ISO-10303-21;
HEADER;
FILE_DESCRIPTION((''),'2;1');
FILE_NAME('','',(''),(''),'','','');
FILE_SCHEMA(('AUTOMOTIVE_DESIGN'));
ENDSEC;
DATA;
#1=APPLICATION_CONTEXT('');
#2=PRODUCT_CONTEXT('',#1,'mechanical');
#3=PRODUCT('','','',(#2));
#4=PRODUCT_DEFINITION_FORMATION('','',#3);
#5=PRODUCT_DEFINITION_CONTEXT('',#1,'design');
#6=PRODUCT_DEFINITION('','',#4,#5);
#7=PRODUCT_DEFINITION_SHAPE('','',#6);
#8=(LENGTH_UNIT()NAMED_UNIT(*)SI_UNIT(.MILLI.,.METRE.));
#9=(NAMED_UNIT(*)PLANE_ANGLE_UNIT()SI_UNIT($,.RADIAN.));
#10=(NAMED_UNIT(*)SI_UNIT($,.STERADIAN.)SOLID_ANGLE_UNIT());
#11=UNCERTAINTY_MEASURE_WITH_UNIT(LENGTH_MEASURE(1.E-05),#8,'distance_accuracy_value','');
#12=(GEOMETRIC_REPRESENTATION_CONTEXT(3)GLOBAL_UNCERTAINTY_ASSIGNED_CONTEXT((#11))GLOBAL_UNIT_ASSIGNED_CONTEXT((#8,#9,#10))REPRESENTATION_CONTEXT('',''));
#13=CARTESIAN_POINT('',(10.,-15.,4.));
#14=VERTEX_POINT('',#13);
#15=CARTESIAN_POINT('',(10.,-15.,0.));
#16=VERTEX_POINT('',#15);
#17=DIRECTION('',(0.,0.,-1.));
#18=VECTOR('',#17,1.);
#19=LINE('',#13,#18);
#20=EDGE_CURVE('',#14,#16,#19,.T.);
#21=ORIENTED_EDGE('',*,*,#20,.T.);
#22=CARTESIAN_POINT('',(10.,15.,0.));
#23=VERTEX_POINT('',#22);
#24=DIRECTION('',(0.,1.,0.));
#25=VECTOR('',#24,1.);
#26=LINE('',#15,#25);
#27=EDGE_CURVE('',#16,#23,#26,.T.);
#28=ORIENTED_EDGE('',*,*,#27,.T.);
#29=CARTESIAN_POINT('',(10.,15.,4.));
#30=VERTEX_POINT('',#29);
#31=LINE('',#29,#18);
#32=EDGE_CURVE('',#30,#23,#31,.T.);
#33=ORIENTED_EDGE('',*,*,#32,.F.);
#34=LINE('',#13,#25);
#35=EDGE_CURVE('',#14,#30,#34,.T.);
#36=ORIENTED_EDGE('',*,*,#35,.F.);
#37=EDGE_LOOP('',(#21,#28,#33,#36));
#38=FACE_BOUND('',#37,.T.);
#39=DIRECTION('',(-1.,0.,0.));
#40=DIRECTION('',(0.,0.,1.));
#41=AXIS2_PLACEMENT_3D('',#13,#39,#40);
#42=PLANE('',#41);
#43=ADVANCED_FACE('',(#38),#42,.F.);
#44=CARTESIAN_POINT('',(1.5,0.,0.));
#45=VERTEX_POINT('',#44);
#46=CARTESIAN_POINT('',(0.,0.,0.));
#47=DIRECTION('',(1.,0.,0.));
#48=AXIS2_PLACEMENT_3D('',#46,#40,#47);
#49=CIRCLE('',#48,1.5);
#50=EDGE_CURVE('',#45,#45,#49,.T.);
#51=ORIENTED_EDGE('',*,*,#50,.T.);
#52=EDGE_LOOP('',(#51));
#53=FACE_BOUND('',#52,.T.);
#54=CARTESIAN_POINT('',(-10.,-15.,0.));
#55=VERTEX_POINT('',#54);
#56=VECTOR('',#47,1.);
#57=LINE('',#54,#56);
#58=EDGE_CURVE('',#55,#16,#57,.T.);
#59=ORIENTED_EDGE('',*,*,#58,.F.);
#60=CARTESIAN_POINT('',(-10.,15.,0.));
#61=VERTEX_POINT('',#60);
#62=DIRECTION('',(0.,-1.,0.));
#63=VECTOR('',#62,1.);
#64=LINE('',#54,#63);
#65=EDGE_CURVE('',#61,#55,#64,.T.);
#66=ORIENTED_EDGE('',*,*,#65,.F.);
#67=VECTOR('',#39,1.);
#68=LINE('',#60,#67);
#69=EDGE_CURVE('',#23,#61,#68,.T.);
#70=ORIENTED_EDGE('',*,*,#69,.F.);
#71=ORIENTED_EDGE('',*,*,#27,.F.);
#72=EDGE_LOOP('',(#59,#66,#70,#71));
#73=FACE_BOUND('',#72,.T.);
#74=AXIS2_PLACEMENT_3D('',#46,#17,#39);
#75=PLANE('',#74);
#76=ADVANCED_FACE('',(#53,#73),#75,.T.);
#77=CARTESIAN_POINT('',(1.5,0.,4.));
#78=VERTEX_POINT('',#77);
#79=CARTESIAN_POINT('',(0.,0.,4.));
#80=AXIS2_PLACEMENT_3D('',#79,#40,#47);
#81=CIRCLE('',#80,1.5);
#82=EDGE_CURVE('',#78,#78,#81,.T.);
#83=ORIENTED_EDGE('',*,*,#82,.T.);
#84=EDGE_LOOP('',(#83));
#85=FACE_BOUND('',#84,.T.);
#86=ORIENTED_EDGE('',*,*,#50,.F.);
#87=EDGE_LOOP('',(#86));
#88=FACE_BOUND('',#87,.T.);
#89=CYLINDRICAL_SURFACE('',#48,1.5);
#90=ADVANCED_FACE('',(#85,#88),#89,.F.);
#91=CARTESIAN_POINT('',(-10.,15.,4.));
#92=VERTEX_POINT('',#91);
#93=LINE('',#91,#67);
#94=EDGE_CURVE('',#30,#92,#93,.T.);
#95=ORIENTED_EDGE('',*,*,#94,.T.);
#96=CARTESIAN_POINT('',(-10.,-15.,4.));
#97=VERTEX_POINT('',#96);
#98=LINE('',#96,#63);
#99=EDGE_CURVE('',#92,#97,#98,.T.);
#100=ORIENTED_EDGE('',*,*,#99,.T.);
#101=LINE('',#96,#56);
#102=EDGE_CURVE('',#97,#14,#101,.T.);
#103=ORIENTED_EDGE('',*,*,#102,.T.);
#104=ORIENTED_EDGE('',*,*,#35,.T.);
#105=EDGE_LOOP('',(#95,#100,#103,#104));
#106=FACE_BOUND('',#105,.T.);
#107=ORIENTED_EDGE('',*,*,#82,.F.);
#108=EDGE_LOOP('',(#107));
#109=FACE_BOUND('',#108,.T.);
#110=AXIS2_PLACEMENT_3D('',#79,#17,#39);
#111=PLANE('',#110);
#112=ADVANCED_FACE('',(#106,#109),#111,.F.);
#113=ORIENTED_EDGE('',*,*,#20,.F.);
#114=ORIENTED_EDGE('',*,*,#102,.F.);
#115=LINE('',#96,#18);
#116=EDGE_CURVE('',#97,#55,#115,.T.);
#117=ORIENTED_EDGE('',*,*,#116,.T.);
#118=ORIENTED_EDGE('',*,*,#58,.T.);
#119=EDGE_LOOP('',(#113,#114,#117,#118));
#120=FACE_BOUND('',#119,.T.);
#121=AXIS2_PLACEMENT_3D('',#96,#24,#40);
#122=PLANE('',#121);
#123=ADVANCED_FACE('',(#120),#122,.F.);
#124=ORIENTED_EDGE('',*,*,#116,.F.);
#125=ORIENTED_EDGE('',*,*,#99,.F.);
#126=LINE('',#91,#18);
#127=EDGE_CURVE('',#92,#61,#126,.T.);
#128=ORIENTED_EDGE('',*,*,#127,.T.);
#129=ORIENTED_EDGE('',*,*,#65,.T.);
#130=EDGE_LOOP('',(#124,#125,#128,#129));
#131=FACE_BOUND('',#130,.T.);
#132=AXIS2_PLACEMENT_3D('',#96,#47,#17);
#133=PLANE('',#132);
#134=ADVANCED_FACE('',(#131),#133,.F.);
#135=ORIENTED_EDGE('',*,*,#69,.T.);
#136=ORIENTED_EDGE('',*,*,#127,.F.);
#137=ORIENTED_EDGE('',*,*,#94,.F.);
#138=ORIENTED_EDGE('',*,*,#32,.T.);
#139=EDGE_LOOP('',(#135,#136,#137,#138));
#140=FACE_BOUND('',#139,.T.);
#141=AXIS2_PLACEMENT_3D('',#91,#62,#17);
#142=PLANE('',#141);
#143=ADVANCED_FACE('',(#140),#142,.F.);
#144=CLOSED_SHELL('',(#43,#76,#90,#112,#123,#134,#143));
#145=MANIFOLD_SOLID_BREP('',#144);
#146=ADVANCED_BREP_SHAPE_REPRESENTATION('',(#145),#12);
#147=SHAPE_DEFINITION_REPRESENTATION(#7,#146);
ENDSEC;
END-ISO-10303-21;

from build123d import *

# Parameters (mm, degrees)
SKETCH1_W           = 20
SKETCH1_H           = 30
BOSS_EXTRUDE1_DEPTH = 4
SKETCH2_R           = 1.5
CUT_EXTRUDE1_DEPTH  = 19.466185313


with BuildPart() as part:
    # Sketch1 → Boss-Extrude1 (new body)
    with BuildSketch(Plane.XY):
        Rectangle(SKETCH1_W, SKETCH1_H)
    extrude(amount=BOSS_EXTRUDE1_DEPTH)

    # Sketch2 → Cut-Extrude1 (cut, through all)
    with BuildSketch(Plane.XY.offset(4)):
        Circle(SKETCH2_R)
    extrude(amount=-CUT_EXTRUDE1_DEPTH, mode=Mode.SUBTRACT)


solid = part.part
